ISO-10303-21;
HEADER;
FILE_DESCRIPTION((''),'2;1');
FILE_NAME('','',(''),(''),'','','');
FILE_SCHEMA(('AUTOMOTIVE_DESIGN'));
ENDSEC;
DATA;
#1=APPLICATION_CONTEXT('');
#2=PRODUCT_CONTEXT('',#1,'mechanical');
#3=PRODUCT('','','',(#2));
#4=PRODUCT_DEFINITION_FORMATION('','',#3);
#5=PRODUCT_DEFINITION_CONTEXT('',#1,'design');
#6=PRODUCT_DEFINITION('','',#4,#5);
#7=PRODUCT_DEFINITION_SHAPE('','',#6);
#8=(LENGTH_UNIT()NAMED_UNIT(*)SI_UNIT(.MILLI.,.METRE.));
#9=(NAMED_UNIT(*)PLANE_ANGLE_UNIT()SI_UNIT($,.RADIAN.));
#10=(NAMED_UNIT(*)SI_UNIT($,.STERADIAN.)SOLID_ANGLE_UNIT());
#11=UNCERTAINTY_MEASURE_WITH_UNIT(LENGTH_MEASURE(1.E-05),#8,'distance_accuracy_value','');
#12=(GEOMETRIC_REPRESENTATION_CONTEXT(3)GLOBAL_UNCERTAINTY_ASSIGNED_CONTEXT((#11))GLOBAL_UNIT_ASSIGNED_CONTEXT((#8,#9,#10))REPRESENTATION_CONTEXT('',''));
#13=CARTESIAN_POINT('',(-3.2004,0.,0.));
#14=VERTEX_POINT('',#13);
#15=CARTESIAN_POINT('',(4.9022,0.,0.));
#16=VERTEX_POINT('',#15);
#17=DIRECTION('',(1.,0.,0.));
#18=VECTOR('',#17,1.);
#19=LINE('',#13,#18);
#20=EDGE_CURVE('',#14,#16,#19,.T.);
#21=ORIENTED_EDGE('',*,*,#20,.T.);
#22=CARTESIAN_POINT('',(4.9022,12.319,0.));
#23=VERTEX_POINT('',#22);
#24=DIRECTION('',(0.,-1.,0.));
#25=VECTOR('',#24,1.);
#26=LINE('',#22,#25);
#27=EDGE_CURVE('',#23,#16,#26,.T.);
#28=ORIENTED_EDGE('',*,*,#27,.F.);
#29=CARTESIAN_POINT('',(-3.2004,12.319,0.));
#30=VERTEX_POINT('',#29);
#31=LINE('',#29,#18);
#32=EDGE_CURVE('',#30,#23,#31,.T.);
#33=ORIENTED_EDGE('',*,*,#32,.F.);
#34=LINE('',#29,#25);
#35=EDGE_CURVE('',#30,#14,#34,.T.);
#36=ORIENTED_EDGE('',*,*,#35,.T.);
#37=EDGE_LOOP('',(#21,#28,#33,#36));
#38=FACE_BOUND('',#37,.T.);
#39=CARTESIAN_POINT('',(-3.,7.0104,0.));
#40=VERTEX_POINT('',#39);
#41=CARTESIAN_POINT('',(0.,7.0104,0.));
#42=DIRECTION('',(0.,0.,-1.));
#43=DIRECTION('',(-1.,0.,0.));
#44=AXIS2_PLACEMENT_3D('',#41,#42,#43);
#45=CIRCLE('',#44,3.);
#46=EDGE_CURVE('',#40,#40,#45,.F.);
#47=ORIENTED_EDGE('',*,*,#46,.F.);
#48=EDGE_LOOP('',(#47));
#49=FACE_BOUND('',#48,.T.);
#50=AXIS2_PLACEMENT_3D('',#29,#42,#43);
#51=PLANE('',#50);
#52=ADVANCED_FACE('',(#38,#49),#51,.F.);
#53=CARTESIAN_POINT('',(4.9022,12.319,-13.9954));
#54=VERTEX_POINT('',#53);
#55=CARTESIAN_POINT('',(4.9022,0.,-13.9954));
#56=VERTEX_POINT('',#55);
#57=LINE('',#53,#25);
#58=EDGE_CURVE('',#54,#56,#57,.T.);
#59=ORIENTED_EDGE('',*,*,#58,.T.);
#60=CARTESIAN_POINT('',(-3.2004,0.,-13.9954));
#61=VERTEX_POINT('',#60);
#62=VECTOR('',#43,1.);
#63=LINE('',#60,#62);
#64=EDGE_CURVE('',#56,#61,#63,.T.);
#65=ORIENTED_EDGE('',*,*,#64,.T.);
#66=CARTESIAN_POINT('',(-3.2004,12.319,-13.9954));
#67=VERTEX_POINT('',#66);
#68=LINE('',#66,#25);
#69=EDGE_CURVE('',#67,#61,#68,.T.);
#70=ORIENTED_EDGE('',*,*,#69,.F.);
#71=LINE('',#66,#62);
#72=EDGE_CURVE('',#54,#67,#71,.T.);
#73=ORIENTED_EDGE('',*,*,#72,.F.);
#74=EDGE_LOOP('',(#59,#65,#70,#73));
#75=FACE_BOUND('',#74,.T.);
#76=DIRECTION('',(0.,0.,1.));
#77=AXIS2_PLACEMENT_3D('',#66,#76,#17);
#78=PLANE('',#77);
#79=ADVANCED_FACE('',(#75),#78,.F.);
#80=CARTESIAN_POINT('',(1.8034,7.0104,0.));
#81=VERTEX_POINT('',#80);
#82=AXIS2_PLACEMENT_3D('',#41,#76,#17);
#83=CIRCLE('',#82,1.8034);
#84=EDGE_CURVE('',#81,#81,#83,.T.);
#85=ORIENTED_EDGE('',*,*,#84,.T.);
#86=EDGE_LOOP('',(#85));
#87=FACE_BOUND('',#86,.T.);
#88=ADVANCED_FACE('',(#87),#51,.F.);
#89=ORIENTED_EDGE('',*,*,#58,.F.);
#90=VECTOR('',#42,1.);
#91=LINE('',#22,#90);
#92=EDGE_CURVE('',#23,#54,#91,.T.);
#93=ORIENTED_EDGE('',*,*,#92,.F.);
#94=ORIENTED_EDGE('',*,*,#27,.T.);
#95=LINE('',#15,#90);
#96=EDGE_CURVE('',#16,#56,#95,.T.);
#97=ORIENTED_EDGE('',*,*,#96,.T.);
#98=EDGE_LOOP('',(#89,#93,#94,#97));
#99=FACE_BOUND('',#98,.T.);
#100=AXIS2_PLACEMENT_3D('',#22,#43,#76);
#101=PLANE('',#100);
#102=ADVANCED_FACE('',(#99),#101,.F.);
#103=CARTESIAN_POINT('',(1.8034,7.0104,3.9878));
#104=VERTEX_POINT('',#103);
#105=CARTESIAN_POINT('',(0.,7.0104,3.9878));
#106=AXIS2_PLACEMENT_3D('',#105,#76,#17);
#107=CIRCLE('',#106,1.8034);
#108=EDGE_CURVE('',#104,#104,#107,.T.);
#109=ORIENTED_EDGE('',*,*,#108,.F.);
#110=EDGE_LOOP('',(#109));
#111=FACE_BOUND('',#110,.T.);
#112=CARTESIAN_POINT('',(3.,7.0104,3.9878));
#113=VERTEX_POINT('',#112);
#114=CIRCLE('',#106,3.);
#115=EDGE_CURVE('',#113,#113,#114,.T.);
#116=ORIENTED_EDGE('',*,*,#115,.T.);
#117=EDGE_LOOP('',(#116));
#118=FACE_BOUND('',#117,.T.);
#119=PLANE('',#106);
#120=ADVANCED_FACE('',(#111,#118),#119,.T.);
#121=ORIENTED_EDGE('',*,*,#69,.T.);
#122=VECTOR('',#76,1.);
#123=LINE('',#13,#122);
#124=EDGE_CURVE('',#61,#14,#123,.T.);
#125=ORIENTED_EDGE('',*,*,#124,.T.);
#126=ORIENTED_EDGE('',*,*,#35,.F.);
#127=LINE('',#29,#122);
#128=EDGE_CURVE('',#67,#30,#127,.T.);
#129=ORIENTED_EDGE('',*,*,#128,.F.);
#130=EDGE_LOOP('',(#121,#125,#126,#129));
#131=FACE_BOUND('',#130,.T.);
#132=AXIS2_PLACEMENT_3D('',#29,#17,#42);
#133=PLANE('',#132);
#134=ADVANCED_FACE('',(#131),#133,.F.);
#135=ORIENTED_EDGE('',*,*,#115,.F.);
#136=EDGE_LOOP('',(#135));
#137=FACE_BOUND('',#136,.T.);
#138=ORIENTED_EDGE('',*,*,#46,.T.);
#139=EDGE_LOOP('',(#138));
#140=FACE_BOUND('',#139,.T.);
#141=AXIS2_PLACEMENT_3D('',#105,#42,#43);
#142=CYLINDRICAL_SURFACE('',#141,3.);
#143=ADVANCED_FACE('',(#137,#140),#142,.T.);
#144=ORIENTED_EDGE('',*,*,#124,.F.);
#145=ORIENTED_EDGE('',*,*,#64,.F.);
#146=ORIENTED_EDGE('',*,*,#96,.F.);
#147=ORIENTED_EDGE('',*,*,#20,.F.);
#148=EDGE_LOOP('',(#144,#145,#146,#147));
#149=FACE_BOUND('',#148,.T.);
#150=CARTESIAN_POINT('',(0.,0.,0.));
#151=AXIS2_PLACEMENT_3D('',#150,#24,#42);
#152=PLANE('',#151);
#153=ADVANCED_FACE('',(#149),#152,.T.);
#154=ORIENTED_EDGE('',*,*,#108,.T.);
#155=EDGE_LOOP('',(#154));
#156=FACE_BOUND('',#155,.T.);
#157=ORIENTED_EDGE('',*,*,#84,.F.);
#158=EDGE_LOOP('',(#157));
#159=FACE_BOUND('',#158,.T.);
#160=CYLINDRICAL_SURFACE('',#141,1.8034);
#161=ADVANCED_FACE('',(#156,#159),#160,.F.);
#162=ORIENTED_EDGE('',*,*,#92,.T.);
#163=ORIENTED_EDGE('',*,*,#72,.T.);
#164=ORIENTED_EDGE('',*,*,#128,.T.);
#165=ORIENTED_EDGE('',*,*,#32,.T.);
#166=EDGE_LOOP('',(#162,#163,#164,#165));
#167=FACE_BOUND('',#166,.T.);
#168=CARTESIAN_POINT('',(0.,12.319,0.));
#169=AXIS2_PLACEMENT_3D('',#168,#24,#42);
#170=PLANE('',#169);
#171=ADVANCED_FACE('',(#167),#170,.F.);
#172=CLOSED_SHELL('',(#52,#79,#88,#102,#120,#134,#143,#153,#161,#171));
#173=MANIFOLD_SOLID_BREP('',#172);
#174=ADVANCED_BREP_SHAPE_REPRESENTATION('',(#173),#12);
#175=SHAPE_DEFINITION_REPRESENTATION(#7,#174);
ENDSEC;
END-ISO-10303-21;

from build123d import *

# Parameters (mm, degrees)
SKETCH1_W           = 8.1026
SKETCH1_H           = 13.9954
BOSS_EXTRUDE1_DEPTH = 12.319
SKETCH2_R           = 3
SKETCH2_R_2         = 1.8034
BOSS_EXTRUDE2_DEPTH = 3.9878


with BuildPart() as part:
    # Sketch1 → Boss-Extrude1 (new body)
    with BuildSketch(Plane(origin=(0, 0, 0), x_dir=(1, 0, 0), z_dir=(0, 1, 0))):
        with Locations((0.8509, 6.9977)):
            Rectangle(SKETCH1_W, SKETCH1_H)
    extrude(amount=BOSS_EXTRUDE1_DEPTH)

    # Sketch2 → Boss-Extrude2 (add)
    with BuildSketch(Plane.XY):
        with Locations(Location((0, 7.0104, 0), (0, 0, 180))):
            Circle(SKETCH2_R)
        with Locations((0, 7.0104)):
            Circle(SKETCH2_R_2, mode=Mode.SUBTRACT)
    extrude(amount=BOSS_EXTRUDE2_DEPTH)


solid = part.part
